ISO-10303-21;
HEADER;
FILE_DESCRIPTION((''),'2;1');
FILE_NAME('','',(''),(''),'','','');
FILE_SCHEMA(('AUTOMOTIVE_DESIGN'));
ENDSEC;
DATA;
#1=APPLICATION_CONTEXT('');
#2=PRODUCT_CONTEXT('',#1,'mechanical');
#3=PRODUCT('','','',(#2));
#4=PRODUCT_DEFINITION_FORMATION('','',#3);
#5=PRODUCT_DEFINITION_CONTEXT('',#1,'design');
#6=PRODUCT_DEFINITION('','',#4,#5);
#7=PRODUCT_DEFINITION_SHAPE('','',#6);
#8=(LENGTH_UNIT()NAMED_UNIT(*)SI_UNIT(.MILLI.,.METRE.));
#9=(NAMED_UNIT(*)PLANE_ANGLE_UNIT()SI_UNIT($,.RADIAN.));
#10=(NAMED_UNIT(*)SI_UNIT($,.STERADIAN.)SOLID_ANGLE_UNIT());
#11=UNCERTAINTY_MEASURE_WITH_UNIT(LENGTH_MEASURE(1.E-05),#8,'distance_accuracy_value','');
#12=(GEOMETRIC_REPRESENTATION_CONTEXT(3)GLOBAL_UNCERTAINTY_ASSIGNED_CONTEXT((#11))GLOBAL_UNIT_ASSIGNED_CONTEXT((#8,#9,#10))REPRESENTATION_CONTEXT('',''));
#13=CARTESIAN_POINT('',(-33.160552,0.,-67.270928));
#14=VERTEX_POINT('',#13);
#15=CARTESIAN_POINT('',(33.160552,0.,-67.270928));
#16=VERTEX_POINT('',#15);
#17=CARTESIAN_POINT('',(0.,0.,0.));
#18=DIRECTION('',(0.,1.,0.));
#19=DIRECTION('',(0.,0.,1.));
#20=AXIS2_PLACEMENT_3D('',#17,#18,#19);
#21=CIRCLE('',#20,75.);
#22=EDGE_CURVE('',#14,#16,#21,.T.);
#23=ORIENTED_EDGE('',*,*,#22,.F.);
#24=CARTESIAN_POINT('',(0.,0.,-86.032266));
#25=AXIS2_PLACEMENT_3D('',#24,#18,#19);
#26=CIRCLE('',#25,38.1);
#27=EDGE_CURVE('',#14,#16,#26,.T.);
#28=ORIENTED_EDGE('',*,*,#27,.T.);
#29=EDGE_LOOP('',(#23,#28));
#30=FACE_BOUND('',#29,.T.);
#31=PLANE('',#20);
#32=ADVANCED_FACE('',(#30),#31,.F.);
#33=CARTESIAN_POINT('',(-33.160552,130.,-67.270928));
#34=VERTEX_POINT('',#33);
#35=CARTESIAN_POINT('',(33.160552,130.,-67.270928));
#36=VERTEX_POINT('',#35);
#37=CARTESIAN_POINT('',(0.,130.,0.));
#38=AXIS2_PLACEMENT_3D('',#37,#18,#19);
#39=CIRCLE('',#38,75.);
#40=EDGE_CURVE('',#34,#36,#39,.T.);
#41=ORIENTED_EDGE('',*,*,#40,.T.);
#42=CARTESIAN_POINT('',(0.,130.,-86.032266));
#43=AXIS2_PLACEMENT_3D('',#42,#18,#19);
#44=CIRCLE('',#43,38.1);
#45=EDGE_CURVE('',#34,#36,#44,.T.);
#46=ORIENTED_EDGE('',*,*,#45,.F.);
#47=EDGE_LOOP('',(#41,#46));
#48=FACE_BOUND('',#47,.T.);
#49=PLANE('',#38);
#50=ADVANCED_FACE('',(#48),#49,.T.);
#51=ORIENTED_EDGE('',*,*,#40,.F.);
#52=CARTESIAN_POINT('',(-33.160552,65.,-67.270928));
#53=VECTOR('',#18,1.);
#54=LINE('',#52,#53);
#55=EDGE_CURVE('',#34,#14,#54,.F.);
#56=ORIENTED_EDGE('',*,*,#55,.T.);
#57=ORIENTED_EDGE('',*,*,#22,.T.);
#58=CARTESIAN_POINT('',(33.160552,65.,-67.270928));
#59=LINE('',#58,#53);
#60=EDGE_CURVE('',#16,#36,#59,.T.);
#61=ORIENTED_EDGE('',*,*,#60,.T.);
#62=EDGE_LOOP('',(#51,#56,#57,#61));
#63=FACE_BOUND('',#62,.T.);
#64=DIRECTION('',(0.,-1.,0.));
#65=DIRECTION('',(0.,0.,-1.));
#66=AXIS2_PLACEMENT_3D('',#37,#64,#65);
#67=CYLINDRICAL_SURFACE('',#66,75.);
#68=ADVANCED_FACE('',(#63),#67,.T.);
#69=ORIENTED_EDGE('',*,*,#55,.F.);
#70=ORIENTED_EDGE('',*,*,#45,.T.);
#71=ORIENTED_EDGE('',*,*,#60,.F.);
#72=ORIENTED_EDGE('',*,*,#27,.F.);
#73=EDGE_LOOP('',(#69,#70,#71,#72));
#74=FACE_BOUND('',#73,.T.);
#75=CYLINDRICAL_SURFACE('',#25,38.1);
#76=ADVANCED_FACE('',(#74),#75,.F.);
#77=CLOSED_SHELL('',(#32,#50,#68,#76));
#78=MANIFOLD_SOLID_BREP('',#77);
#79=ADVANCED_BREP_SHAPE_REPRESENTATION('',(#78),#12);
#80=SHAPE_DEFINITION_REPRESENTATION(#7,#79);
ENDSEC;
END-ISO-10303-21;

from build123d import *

# Parameters (mm, degrees)
SKETCH1_R           = 75
BOSS_EXTRUDE1_DEPTH = 130
SKETCH2_R           = 38.1
CUT_EXTRUDE1_DEPTH  = 168.779617356


with BuildPart() as part:
    # Sketch1 → Boss-Extrude1 (new body)
    with BuildSketch(Plane(origin=(0, 0, 0), x_dir=(1, 0, 0), z_dir=(0, 1, 0))):
        with Locations(Location((0, 0, 0), (0, 0, 270))):
            Circle(SKETCH1_R)
    extrude(amount=BOSS_EXTRUDE1_DEPTH)

    # Sketch2 → Cut-Extrude1 (cut, through all)
    with BuildSketch(Plane(origin=(0, 130, 0), x_dir=(1, 0, 0), z_dir=(0, 1, 0))):
        with Locations((0, 86.032265908)):
            Circle(SKETCH2_R)
    extrude(amount=-CUT_EXTRUDE1_DEPTH, mode=Mode.SUBTRACT)


solid = part.part
